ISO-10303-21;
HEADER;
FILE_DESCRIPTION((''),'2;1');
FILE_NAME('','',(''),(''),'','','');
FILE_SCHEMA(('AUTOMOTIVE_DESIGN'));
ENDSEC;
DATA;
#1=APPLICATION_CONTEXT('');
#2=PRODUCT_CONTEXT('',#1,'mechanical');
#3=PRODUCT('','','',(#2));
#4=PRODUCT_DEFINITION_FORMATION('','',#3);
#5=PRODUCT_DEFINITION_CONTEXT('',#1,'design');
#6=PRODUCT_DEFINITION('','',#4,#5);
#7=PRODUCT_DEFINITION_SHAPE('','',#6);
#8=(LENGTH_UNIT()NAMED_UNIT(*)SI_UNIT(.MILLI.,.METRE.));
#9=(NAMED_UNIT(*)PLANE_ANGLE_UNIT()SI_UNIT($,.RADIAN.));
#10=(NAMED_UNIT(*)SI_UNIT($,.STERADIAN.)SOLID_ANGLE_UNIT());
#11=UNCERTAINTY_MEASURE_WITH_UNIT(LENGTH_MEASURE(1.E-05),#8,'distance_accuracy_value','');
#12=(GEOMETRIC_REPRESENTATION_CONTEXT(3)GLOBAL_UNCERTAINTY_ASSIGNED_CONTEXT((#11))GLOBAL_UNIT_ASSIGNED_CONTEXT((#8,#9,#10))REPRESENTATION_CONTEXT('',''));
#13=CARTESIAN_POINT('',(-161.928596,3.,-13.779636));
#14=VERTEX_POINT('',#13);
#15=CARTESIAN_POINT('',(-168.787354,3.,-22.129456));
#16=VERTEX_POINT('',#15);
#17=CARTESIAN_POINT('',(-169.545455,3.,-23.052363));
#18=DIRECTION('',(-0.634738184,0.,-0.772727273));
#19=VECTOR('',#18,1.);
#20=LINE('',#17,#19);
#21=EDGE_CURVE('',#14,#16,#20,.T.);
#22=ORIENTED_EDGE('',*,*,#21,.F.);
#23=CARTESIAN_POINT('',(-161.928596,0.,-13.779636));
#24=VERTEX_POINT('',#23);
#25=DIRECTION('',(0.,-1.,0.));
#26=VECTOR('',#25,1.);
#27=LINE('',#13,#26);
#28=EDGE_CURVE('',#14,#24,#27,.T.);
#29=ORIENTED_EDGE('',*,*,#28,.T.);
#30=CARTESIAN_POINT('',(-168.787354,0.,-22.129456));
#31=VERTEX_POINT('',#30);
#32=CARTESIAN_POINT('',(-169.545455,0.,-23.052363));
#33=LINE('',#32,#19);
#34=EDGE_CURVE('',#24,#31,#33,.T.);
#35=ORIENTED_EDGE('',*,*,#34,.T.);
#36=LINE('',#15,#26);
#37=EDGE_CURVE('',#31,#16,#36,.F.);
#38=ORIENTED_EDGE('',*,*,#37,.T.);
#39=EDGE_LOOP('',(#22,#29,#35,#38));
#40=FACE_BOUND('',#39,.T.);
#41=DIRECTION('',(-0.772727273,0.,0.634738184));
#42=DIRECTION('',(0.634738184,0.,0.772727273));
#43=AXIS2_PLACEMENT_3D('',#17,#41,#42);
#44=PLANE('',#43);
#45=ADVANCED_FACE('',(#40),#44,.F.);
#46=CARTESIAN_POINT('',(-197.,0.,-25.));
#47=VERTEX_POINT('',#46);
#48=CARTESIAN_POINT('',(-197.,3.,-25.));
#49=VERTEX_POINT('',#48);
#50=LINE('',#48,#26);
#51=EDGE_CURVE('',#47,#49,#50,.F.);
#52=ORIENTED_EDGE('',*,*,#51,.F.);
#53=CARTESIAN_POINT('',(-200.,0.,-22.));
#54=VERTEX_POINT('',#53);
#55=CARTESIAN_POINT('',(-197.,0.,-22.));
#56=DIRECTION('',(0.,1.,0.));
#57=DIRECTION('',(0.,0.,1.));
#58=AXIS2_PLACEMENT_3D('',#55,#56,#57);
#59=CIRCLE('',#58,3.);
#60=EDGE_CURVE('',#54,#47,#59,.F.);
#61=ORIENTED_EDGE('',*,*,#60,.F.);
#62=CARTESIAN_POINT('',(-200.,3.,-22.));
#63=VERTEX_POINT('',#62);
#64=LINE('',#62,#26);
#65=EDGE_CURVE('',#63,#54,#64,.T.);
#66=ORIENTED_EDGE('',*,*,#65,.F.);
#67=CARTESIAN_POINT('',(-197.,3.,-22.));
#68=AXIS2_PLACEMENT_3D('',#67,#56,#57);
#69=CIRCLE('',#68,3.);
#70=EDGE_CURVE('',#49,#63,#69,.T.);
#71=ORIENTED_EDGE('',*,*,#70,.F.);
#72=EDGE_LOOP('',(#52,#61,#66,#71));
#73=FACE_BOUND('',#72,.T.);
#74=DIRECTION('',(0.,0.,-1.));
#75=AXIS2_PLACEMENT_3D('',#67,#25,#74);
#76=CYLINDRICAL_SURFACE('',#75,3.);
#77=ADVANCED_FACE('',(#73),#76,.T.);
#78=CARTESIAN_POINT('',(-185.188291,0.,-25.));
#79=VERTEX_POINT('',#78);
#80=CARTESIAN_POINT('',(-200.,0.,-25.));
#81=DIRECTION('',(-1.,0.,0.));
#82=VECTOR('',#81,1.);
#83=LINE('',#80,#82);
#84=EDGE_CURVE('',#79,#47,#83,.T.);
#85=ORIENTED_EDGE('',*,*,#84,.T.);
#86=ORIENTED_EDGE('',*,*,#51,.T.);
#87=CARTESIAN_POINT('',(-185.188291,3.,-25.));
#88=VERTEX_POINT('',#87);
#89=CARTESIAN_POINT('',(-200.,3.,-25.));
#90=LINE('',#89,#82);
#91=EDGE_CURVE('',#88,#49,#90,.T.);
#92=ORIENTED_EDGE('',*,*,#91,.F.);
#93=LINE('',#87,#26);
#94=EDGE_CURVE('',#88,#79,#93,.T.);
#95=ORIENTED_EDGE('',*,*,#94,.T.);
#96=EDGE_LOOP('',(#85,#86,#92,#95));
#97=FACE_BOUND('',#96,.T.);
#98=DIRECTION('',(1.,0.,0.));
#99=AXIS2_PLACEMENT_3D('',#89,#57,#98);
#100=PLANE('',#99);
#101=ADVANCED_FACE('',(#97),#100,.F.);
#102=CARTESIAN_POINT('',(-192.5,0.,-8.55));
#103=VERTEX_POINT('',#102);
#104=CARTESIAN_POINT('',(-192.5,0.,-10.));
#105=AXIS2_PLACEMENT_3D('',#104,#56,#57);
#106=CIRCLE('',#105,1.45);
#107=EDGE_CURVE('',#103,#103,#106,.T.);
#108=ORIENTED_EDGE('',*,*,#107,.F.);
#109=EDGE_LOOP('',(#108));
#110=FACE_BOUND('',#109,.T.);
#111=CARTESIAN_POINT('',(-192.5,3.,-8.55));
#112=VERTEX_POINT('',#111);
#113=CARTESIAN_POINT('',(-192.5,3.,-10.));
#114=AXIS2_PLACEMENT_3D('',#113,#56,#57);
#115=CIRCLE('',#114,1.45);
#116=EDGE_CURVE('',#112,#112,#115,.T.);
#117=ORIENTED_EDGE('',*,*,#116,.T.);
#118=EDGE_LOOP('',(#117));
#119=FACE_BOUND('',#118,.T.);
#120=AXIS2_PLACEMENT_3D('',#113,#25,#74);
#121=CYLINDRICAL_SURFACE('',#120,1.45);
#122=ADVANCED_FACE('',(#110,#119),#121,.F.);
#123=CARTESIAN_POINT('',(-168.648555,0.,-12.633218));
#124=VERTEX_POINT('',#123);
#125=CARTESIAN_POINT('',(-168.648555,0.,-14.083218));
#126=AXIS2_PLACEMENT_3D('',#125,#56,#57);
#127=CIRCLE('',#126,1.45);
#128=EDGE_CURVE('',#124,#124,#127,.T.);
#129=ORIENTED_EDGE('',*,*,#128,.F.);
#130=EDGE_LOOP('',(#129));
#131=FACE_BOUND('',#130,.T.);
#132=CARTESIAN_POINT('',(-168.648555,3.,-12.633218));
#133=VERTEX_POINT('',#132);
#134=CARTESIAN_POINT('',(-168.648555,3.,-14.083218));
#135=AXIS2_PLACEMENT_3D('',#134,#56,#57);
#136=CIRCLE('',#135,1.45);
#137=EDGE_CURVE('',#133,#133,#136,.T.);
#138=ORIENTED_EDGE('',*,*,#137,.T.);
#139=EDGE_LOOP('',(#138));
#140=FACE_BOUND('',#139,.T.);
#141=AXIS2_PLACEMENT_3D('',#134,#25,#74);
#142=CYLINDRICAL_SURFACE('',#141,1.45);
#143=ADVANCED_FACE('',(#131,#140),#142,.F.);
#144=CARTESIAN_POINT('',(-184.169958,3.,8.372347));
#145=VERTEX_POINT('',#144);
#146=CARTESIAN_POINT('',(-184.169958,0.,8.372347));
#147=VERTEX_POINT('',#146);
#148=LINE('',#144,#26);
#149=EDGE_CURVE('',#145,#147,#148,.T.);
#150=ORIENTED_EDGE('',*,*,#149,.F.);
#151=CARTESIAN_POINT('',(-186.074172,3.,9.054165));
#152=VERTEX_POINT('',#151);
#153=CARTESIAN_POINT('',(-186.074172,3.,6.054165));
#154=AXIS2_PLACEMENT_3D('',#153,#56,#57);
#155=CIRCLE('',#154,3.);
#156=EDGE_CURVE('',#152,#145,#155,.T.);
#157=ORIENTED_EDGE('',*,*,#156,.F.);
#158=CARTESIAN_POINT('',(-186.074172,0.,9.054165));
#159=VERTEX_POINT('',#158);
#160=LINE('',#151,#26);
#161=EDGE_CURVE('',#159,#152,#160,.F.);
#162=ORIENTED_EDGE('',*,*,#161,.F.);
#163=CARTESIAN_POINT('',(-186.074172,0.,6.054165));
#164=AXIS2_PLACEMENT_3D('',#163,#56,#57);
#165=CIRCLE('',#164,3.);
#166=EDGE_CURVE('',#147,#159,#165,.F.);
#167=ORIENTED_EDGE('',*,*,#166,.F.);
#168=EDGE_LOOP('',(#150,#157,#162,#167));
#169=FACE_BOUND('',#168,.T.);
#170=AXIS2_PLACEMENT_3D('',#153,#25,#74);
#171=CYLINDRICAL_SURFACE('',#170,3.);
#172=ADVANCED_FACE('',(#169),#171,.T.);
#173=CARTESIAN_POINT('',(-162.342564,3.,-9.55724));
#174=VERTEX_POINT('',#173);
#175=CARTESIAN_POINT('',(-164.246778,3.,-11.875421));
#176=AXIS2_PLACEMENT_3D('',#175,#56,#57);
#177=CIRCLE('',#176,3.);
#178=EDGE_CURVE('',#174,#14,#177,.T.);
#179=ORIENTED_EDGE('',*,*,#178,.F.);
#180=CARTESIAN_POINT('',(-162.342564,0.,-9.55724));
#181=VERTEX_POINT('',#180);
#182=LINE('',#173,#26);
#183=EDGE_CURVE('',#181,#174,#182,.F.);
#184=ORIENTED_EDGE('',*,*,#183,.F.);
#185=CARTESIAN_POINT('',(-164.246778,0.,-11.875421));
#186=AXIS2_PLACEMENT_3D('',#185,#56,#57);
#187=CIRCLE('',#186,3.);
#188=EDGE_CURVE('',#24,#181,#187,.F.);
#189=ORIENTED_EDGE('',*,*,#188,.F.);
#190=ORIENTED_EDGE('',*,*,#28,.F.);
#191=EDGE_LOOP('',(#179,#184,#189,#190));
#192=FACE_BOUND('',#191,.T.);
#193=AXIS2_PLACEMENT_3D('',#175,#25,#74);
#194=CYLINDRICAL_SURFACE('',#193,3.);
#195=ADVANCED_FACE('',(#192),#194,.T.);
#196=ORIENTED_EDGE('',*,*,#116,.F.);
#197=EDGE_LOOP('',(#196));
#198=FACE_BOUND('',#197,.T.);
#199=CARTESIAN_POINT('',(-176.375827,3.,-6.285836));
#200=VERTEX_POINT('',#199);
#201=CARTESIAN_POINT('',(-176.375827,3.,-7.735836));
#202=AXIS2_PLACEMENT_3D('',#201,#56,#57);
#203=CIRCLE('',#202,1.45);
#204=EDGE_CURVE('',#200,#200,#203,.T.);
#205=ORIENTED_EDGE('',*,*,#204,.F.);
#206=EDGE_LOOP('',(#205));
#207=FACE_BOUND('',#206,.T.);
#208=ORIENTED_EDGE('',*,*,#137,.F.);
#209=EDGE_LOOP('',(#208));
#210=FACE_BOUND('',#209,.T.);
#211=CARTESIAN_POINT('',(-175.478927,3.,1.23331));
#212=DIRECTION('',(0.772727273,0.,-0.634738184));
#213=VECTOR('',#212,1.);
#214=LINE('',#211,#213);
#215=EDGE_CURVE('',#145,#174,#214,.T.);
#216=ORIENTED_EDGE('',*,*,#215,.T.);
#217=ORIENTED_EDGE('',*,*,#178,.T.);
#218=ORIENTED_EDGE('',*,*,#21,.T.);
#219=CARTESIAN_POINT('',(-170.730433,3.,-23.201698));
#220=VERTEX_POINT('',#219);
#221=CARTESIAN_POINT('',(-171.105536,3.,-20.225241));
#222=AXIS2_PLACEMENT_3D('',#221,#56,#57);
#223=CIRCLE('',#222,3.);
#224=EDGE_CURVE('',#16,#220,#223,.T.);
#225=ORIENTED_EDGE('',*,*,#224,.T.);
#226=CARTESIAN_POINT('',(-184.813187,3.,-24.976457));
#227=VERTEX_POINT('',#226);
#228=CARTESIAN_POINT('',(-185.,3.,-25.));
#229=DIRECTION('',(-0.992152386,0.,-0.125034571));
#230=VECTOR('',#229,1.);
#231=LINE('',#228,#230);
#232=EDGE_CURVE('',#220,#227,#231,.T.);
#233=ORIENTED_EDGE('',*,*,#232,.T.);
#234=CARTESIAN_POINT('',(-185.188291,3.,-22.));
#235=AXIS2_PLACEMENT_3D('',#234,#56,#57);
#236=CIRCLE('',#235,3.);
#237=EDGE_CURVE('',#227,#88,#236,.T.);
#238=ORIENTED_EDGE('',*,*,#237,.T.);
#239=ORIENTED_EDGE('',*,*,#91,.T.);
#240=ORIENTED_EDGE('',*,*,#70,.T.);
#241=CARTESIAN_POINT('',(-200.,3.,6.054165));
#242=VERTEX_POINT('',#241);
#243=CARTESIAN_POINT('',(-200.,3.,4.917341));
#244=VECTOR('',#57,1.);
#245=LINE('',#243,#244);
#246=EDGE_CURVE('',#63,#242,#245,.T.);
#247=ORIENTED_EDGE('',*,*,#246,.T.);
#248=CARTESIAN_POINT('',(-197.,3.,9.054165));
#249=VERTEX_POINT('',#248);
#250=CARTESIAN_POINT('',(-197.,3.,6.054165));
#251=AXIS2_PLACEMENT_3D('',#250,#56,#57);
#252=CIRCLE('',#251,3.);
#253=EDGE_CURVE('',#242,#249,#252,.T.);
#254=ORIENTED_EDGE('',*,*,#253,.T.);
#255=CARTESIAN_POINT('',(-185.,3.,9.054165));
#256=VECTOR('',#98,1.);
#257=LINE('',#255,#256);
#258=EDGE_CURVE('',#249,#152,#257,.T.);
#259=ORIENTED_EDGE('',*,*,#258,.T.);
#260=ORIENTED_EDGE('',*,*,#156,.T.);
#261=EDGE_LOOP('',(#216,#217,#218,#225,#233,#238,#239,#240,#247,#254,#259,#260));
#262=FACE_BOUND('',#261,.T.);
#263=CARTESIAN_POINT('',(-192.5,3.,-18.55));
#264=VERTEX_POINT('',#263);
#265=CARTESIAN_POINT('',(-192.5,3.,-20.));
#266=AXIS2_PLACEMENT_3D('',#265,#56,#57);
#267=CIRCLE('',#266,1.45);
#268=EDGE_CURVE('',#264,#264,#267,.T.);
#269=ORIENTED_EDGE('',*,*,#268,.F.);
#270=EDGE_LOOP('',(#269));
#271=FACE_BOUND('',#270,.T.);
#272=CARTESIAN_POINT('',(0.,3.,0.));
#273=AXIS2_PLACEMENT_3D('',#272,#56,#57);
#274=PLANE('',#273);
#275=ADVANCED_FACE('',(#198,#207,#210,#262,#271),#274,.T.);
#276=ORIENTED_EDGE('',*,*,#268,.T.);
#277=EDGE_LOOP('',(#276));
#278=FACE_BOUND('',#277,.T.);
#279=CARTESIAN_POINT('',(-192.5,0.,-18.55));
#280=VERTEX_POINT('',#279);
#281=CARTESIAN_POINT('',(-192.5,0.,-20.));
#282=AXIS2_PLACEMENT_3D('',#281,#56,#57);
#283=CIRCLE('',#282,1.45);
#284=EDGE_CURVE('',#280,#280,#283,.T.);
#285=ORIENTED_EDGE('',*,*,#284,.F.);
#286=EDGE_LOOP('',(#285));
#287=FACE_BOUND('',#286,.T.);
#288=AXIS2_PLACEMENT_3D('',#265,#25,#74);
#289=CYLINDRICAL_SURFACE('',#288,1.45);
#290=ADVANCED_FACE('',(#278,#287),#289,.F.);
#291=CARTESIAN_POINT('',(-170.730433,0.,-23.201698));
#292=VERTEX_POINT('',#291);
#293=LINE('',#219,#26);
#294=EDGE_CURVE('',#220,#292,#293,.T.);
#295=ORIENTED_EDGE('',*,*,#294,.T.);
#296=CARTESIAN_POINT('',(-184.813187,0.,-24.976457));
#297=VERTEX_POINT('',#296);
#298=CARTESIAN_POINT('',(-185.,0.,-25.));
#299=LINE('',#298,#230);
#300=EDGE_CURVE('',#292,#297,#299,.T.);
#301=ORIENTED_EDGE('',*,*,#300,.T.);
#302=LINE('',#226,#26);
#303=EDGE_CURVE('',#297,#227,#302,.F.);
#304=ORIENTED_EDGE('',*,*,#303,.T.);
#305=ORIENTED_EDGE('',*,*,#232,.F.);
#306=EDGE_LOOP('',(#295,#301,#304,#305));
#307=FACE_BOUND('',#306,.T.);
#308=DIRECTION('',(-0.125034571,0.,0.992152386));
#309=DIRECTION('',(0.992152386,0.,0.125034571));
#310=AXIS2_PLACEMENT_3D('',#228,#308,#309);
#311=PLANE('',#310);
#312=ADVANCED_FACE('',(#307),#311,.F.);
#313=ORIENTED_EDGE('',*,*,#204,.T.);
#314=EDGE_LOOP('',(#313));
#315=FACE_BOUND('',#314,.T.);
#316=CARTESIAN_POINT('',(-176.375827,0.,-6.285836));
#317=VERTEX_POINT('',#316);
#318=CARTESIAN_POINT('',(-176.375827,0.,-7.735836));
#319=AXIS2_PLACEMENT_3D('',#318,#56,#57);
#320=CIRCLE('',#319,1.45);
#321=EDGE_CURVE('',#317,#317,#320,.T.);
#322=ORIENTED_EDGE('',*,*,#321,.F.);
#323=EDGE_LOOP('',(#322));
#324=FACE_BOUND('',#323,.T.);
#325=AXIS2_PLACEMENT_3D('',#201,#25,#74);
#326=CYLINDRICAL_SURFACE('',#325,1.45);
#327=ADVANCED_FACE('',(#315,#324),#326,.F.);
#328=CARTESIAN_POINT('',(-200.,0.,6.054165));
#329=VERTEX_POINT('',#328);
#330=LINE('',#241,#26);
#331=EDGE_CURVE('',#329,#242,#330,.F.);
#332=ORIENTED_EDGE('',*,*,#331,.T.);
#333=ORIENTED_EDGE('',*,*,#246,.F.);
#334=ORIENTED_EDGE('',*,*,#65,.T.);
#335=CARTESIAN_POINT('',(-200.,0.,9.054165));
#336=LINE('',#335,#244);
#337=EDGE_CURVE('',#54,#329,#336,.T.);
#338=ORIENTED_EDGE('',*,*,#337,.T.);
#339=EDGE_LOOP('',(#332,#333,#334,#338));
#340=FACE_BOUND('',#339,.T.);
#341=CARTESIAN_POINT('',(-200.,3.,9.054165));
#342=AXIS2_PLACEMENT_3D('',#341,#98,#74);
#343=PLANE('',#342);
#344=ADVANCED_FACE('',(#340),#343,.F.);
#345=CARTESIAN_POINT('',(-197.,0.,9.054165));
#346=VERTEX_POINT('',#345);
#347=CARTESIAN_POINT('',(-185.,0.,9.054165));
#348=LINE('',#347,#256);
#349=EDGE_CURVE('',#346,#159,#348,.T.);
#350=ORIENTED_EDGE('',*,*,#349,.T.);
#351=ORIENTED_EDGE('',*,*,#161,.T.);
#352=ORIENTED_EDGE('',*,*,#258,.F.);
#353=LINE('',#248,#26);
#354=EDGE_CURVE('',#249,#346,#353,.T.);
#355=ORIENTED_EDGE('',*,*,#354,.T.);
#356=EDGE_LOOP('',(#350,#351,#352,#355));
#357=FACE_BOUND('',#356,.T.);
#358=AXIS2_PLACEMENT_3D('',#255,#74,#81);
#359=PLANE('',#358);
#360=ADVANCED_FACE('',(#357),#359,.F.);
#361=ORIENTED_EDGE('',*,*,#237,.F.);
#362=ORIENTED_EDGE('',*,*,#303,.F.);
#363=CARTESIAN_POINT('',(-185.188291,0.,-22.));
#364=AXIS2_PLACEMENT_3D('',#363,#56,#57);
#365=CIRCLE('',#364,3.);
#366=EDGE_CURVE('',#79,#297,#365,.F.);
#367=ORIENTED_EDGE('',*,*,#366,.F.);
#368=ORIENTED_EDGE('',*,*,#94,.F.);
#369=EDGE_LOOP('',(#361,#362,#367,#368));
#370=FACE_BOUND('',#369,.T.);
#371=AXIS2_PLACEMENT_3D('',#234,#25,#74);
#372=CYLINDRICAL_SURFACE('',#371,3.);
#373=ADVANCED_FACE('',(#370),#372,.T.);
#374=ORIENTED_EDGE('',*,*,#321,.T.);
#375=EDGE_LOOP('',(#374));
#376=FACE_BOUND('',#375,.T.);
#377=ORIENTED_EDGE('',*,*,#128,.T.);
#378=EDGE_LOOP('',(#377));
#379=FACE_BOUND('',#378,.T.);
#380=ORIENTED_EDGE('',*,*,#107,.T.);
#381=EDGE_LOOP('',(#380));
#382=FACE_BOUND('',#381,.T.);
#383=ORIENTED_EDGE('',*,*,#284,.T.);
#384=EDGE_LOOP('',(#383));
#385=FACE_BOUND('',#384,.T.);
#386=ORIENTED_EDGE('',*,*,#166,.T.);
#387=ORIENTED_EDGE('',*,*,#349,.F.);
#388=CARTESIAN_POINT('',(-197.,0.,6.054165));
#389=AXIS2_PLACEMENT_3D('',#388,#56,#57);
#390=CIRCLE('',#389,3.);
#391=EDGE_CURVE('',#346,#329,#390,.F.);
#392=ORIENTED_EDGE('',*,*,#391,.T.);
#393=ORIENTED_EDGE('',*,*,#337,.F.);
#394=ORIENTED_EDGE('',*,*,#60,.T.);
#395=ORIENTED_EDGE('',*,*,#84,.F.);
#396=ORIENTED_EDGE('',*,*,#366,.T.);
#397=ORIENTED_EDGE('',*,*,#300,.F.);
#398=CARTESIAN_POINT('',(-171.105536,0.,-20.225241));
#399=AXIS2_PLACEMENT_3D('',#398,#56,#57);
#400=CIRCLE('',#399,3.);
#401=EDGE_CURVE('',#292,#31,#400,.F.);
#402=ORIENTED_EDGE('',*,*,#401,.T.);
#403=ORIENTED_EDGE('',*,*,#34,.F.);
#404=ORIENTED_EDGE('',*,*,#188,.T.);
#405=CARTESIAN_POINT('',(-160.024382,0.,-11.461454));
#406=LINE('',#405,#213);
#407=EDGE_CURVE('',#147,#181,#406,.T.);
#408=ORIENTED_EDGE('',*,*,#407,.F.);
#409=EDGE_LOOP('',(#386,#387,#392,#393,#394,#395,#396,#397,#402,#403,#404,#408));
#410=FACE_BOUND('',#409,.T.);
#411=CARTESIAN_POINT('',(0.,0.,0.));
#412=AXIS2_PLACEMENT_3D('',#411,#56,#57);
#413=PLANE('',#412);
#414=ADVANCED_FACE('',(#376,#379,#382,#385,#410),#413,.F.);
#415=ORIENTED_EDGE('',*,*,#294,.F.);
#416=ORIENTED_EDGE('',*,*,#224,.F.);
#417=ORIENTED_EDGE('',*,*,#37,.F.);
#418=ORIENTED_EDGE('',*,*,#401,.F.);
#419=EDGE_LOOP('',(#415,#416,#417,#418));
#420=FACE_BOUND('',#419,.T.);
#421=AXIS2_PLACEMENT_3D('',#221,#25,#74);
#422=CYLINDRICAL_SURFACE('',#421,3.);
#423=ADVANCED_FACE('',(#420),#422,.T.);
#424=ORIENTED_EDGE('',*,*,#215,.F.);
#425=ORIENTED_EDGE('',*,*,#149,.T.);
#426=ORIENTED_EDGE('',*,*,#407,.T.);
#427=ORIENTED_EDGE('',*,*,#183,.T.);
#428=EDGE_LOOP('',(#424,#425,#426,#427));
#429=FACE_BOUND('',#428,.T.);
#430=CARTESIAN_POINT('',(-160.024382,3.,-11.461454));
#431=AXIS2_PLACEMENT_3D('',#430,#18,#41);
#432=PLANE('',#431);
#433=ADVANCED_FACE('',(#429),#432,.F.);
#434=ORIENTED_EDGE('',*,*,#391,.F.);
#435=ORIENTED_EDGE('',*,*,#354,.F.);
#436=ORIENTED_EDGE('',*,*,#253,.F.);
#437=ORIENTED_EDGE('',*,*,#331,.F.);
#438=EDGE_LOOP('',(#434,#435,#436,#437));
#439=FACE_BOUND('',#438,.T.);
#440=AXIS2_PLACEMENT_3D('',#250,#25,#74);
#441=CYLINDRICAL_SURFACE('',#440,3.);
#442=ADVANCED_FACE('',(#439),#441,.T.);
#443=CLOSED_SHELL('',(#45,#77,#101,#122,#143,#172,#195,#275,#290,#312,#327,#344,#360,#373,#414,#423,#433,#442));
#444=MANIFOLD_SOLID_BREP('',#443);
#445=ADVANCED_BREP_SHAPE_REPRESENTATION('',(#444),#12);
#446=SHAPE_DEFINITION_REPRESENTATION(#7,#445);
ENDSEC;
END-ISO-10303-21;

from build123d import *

# Parameters (mm, degrees)
SKETCH_1_R      = 1.45
EXTRUDE_1_DEPTH = 3
FILLET_1_R      = 3


with BuildPart() as part:
    # 草图1 → 凸台-拉伸1 (new body)
    with BuildSketch(Plane(origin=(0, 0, 0), x_dir=(1, 0, 0), z_dir=(0, 1, 0))):
        Polygon((-200, 25), (-185, 25), (-169.545454545, 23.052363238), (-160.024381788, 11.461454148), (-175.478927243, -1.233309529), (-185, -9.054165144), (-200, -9.054165144), (-200, -4.917341068), align=None)
        with Locations(Location((-176.375827258, 7.735835936, 0), (0, 0, 270))):
            Circle(SKETCH_1_R, mode=Mode.SUBTRACT)
        with Locations(Location((-168.648554531, 14.083217774, 0), (0, 0, 270))):
            Circle(SKETCH_1_R, mode=Mode.SUBTRACT)
        with Locations(Location((-192.5, 20, 0), (0, 0, 270))):
            Circle(SKETCH_1_R, mode=Mode.SUBTRACT)
        with Locations(Location((-192.5, 10, 0), (0, 0, 270))):
            Circle(SKETCH_1_R, mode=Mode.SUBTRACT)
    extrude(amount=EXTRUDE_1_DEPTH)

    # 圆角1
    fillet_1_edges = [part.edges().sort_by_distance(p)[0] for p in [
        (-185, 1.5, 9.054165144),
        (-200, 1.5, 9.054165144),
        (-200, 1.5, -25),
        (-185, 1.5, -25),
        (-169.545454545, 1.5, -23.052363238),
        (-160.024381788, 1.5, -11.461454148),
    ]]
    fillet(fillet_1_edges, radius=FILLET_1_R)


solid = part.part
